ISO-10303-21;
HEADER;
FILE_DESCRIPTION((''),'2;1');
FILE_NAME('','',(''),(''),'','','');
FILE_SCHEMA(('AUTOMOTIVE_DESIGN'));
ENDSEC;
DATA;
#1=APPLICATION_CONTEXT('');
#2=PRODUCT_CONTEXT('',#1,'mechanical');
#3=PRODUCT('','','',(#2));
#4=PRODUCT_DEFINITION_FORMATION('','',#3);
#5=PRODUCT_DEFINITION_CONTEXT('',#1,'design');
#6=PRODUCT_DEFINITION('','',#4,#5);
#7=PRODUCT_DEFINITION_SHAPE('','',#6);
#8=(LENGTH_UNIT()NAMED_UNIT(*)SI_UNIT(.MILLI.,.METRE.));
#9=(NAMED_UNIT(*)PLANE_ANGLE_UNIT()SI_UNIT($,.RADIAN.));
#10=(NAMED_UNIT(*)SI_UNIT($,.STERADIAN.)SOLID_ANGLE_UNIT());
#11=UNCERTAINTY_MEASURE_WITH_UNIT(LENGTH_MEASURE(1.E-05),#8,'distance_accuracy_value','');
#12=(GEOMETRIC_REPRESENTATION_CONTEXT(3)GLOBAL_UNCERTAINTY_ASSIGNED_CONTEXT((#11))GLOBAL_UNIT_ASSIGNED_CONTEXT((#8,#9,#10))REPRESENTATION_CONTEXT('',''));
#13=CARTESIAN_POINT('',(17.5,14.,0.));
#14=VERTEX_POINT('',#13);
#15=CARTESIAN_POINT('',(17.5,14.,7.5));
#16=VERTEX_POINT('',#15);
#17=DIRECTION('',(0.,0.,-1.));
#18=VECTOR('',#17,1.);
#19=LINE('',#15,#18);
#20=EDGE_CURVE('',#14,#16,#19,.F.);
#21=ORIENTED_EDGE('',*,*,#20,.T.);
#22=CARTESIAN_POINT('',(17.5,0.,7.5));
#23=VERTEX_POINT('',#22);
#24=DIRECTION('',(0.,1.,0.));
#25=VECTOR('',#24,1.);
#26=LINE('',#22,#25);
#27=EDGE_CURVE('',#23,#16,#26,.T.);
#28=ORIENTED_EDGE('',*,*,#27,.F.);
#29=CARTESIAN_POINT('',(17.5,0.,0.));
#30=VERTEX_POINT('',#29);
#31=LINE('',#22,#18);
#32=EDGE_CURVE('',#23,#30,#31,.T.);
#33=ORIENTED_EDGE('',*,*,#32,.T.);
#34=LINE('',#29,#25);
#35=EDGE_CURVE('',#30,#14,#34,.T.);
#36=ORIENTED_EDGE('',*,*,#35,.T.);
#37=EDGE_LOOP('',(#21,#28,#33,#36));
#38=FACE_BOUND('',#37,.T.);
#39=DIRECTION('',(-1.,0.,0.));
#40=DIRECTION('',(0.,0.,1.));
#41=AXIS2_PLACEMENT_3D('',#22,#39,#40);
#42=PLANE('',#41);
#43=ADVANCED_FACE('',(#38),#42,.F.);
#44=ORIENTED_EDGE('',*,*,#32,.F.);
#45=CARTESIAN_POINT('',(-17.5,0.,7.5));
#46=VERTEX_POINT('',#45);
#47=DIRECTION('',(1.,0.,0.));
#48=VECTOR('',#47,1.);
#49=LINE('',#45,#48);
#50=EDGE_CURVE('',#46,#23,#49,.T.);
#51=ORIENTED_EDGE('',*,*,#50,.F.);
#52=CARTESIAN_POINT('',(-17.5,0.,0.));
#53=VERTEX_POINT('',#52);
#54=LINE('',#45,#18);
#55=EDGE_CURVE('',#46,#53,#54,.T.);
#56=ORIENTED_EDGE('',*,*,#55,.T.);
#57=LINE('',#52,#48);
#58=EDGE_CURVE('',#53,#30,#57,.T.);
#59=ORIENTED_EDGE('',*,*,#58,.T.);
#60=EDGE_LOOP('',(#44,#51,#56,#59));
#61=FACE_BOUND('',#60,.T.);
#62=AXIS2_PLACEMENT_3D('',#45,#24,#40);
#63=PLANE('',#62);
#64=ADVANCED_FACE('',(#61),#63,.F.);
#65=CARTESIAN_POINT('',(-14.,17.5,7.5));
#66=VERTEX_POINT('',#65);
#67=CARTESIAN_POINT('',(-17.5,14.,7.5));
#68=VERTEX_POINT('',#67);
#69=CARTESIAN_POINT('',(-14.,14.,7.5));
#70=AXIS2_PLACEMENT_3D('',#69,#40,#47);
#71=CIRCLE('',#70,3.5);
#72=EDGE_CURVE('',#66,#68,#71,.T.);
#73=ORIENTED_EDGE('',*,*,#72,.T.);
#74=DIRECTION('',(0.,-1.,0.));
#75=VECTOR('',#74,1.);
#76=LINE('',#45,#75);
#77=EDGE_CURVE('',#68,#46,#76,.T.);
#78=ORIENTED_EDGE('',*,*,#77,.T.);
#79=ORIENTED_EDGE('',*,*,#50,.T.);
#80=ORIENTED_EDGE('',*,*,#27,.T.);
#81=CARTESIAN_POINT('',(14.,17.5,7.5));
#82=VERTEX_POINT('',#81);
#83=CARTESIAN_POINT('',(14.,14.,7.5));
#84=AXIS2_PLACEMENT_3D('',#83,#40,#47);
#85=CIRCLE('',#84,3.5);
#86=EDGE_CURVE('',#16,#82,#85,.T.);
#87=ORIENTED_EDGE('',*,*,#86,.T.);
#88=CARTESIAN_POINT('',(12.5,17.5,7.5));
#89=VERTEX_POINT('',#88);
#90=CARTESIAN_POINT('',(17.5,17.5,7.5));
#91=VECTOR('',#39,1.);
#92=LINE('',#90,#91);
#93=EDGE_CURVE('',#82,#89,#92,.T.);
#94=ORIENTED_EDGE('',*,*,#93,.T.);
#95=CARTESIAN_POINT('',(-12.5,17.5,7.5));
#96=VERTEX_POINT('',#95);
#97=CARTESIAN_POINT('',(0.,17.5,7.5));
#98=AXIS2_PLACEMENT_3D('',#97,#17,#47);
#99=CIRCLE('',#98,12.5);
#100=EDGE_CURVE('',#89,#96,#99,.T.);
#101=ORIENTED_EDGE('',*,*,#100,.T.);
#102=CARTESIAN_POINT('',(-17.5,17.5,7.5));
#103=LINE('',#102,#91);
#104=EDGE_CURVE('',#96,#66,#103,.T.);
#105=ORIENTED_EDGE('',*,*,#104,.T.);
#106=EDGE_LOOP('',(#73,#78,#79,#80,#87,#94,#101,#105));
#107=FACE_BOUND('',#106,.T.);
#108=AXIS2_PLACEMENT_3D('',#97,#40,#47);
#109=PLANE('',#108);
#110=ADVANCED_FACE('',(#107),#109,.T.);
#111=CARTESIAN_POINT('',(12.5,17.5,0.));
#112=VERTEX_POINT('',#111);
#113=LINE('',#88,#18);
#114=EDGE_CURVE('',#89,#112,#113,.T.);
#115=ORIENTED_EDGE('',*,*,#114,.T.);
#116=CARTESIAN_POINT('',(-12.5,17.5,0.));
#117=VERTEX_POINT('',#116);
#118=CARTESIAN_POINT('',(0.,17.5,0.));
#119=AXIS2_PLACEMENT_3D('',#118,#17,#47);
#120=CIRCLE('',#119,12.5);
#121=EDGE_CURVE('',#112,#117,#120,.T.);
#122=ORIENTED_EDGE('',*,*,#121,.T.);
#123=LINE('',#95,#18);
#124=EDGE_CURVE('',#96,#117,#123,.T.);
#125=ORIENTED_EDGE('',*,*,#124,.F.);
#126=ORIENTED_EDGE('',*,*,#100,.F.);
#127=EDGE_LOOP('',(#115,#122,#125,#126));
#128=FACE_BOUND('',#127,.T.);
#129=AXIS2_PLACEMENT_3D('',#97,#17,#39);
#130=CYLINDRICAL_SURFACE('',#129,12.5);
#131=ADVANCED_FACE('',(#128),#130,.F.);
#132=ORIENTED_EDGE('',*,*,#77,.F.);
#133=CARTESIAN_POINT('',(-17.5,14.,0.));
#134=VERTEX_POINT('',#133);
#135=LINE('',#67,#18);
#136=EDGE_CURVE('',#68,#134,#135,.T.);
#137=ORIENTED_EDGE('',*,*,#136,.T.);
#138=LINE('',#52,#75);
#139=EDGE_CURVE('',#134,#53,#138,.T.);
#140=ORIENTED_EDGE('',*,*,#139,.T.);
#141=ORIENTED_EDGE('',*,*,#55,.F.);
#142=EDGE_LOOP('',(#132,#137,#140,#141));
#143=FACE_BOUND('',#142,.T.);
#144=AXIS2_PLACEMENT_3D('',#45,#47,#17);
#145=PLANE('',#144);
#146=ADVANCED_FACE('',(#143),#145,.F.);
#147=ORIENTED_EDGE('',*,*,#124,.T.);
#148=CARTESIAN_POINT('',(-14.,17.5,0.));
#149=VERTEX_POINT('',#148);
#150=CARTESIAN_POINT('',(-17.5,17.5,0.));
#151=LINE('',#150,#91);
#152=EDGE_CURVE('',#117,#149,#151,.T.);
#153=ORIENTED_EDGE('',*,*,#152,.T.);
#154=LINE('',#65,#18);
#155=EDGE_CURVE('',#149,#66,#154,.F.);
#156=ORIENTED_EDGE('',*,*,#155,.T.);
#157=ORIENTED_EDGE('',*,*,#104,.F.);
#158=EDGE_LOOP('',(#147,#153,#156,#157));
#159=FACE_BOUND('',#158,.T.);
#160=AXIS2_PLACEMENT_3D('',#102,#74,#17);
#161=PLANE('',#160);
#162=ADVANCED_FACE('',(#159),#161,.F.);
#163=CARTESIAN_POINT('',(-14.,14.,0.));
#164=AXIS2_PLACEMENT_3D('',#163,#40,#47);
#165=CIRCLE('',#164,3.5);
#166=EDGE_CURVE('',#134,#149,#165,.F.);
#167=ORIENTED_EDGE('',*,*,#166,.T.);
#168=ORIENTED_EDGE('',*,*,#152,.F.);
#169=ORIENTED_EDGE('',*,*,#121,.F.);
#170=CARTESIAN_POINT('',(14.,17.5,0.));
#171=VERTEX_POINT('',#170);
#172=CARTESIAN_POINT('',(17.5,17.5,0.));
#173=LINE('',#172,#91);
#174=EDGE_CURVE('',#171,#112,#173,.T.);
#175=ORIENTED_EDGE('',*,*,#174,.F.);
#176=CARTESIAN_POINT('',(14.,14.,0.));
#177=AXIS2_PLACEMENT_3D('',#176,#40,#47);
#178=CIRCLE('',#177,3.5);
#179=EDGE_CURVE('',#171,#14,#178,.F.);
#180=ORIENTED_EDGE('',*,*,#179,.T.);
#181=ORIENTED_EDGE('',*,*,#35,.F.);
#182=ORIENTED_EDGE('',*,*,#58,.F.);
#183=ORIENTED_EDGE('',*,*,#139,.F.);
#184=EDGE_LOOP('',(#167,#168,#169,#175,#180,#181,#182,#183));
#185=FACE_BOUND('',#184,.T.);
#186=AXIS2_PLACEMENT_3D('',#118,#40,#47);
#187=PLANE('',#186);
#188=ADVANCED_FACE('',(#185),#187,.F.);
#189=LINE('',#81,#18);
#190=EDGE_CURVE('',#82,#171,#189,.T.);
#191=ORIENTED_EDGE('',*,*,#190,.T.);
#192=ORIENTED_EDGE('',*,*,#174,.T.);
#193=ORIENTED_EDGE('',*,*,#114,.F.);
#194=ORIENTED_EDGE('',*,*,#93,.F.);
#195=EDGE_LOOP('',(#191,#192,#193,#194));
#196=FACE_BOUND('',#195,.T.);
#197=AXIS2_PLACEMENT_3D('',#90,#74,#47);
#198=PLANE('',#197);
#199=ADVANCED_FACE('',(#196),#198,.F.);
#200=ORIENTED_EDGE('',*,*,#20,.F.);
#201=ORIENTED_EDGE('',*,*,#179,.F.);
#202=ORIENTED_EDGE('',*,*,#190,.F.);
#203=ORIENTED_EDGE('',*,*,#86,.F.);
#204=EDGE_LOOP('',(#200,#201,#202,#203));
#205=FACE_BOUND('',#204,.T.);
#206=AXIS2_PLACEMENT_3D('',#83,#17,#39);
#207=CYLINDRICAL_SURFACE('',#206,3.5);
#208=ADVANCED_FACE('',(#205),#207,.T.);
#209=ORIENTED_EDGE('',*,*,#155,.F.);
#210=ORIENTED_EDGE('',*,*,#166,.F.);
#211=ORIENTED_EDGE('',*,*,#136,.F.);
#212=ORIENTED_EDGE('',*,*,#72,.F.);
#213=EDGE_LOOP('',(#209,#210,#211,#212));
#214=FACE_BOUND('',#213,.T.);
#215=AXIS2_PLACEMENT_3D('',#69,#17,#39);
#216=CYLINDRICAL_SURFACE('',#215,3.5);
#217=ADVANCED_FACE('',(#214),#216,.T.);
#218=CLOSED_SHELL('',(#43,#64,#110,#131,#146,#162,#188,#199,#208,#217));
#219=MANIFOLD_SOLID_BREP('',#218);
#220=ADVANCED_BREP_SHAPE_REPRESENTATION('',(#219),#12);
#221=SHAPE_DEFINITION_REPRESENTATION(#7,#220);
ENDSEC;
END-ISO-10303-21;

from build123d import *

# Parameters (mm, degrees)
BOSS_EXTRUDE1_DEPTH = 7.5
FILLET1_R           = 3.5


with BuildPart() as part:
    # Sketch1 → Boss-Extrude1 (new body)
    with BuildSketch(Plane.XY):
        with BuildLine():
            Line((-17.5, 0), (17.5, 0))
            Line((17.5, 0), (17.5, 17.5))
            Line((17.5, 17.5), (12.5, 17.5))
            ThreePointArc((12.5, 17.5), (0, 5), (-12.5, 17.5))
            Line((-12.5, 17.5), (-17.5, 17.5))
            Line((-17.5, 17.5), (-17.5, 0))
        make_face()
    extrude(amount=BOSS_EXTRUDE1_DEPTH)

    # Fillet1
    fillet1_edges = [part.edges().sort_by_distance(p)[0] for p in [
        (-17.5, 17.5, 3.75),
        (17.5, 17.5, 3.75),
    ]]
    fillet(fillet1_edges, radius=FILLET1_R)


solid = part.part
